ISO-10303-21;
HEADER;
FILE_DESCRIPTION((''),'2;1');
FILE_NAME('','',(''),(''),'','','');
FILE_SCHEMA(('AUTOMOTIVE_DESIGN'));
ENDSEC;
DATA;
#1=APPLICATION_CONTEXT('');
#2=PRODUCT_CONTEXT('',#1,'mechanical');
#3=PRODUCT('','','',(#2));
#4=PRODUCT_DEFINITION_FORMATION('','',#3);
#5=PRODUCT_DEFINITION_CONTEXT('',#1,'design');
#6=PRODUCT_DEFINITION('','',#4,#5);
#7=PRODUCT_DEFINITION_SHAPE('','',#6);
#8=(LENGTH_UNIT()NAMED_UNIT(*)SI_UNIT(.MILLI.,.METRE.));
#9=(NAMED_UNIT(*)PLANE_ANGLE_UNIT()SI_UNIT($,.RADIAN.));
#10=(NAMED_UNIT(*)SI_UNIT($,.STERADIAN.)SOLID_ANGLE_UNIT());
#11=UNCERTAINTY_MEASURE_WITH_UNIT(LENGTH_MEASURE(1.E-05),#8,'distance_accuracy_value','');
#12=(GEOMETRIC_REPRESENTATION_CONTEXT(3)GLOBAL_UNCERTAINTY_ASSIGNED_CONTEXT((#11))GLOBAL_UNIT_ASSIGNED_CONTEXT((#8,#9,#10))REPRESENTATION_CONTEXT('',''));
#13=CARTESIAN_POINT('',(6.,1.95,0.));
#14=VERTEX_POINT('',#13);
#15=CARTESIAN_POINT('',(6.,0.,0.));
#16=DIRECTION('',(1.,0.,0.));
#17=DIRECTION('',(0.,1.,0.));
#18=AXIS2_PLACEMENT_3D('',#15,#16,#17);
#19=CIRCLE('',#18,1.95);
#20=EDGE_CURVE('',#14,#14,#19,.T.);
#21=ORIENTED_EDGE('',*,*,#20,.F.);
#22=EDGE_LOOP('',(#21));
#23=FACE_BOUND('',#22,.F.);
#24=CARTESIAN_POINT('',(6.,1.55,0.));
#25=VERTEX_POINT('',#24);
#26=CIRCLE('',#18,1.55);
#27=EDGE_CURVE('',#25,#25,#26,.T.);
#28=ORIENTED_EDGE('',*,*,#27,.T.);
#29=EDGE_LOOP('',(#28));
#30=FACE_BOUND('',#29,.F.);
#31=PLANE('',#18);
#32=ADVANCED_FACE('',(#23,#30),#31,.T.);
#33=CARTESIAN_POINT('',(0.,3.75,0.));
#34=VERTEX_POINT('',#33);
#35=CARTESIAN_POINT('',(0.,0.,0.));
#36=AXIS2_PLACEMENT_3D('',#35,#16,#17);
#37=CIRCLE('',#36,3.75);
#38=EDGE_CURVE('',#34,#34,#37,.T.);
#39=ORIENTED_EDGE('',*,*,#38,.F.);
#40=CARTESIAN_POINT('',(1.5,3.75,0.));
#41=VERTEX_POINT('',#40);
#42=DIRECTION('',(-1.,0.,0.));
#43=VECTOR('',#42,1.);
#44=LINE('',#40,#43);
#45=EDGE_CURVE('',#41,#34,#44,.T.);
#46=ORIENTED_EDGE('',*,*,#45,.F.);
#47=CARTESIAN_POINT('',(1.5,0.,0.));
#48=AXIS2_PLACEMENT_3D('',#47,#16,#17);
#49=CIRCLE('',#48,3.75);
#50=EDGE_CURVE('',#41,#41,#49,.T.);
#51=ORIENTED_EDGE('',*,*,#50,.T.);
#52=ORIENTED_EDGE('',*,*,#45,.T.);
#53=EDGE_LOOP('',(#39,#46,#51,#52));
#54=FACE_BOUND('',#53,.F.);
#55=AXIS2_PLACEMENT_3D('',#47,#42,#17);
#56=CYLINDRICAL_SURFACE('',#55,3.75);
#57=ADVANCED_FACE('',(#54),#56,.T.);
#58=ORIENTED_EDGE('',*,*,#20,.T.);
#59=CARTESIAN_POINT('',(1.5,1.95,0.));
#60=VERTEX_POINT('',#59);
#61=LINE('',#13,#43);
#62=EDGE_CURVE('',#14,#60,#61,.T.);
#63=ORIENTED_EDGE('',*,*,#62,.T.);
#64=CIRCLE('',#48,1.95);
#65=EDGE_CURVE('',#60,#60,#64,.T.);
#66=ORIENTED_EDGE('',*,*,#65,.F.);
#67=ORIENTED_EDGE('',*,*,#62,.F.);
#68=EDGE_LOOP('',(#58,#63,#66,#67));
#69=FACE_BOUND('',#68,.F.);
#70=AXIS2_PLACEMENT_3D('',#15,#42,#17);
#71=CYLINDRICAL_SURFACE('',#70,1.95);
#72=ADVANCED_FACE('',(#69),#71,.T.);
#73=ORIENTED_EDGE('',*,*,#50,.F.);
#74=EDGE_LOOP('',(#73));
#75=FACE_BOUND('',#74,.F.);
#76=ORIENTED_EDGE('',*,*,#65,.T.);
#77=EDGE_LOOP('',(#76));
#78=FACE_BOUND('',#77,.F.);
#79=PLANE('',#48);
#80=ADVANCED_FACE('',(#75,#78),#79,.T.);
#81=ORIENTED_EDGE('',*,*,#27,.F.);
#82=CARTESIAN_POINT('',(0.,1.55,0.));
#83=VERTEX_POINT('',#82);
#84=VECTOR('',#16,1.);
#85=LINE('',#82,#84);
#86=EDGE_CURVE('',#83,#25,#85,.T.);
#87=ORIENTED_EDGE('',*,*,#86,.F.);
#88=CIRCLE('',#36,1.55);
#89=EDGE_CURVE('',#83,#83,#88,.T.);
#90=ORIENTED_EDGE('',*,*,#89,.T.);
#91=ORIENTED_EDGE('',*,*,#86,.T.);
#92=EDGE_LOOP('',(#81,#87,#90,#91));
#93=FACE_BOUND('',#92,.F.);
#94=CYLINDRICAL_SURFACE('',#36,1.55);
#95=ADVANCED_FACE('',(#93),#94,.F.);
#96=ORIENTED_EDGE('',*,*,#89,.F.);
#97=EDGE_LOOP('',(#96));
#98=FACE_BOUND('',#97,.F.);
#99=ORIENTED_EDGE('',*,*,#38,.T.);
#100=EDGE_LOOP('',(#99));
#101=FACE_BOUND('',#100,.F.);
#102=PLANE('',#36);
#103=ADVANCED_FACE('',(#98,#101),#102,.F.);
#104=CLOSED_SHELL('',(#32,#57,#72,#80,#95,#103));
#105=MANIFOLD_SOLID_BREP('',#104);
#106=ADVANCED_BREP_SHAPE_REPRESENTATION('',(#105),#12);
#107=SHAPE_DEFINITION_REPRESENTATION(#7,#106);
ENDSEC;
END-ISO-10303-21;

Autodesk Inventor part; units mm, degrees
ref_plane "YZ Plane" through (0, 0, 0) normal (1, 0, 0) x (0, 1, 0)
ref_plane "XZ Plane" through (0, 0, 0) normal (0, 1, 0) x (-1, 0, 0)
ref_plane "XY Plane" through (0, 0, 0) normal (0, 0, 1) x (1, 0, 0)
sketch "Sketch1" plane through (0, 0, 0) normal (0, 0, 1) x (1, 0, 0)
  line L0 (0, 4.5) -> (0, -0.75) construction
  line L1 (-1.2, 0) -> (7.2, 0) construction
  line L2 (0, 3.75) -> (0, 1.55)
  line L3 (0, 1.55) -> (6, 1.55)
  line L4 (6, 1.55) -> (6, 1.95)
  line L5 (6, 1.95) -> (1.5, 1.95)
  line L6 (1.5, 1.95) -> (1.5, 3.75)
  line L7 (1.5, 3.75) -> (0, 3.75)
  point P0 (0, 0)
  dimension "d0" = 3.75
  dimension "d1" = 1.55
  dimension "d2" = 1.95
  dimension "d3" = 6
  dimension "d4" = 4.5
revolve "Revolution1" add sketch "Sketch1" angle 360 about axis through (0, 0, 0) along (1, 0, 0)
properties part number "17-0028-0031" material "Nylon Composite (Nylon, molybdenum disulphide)"
